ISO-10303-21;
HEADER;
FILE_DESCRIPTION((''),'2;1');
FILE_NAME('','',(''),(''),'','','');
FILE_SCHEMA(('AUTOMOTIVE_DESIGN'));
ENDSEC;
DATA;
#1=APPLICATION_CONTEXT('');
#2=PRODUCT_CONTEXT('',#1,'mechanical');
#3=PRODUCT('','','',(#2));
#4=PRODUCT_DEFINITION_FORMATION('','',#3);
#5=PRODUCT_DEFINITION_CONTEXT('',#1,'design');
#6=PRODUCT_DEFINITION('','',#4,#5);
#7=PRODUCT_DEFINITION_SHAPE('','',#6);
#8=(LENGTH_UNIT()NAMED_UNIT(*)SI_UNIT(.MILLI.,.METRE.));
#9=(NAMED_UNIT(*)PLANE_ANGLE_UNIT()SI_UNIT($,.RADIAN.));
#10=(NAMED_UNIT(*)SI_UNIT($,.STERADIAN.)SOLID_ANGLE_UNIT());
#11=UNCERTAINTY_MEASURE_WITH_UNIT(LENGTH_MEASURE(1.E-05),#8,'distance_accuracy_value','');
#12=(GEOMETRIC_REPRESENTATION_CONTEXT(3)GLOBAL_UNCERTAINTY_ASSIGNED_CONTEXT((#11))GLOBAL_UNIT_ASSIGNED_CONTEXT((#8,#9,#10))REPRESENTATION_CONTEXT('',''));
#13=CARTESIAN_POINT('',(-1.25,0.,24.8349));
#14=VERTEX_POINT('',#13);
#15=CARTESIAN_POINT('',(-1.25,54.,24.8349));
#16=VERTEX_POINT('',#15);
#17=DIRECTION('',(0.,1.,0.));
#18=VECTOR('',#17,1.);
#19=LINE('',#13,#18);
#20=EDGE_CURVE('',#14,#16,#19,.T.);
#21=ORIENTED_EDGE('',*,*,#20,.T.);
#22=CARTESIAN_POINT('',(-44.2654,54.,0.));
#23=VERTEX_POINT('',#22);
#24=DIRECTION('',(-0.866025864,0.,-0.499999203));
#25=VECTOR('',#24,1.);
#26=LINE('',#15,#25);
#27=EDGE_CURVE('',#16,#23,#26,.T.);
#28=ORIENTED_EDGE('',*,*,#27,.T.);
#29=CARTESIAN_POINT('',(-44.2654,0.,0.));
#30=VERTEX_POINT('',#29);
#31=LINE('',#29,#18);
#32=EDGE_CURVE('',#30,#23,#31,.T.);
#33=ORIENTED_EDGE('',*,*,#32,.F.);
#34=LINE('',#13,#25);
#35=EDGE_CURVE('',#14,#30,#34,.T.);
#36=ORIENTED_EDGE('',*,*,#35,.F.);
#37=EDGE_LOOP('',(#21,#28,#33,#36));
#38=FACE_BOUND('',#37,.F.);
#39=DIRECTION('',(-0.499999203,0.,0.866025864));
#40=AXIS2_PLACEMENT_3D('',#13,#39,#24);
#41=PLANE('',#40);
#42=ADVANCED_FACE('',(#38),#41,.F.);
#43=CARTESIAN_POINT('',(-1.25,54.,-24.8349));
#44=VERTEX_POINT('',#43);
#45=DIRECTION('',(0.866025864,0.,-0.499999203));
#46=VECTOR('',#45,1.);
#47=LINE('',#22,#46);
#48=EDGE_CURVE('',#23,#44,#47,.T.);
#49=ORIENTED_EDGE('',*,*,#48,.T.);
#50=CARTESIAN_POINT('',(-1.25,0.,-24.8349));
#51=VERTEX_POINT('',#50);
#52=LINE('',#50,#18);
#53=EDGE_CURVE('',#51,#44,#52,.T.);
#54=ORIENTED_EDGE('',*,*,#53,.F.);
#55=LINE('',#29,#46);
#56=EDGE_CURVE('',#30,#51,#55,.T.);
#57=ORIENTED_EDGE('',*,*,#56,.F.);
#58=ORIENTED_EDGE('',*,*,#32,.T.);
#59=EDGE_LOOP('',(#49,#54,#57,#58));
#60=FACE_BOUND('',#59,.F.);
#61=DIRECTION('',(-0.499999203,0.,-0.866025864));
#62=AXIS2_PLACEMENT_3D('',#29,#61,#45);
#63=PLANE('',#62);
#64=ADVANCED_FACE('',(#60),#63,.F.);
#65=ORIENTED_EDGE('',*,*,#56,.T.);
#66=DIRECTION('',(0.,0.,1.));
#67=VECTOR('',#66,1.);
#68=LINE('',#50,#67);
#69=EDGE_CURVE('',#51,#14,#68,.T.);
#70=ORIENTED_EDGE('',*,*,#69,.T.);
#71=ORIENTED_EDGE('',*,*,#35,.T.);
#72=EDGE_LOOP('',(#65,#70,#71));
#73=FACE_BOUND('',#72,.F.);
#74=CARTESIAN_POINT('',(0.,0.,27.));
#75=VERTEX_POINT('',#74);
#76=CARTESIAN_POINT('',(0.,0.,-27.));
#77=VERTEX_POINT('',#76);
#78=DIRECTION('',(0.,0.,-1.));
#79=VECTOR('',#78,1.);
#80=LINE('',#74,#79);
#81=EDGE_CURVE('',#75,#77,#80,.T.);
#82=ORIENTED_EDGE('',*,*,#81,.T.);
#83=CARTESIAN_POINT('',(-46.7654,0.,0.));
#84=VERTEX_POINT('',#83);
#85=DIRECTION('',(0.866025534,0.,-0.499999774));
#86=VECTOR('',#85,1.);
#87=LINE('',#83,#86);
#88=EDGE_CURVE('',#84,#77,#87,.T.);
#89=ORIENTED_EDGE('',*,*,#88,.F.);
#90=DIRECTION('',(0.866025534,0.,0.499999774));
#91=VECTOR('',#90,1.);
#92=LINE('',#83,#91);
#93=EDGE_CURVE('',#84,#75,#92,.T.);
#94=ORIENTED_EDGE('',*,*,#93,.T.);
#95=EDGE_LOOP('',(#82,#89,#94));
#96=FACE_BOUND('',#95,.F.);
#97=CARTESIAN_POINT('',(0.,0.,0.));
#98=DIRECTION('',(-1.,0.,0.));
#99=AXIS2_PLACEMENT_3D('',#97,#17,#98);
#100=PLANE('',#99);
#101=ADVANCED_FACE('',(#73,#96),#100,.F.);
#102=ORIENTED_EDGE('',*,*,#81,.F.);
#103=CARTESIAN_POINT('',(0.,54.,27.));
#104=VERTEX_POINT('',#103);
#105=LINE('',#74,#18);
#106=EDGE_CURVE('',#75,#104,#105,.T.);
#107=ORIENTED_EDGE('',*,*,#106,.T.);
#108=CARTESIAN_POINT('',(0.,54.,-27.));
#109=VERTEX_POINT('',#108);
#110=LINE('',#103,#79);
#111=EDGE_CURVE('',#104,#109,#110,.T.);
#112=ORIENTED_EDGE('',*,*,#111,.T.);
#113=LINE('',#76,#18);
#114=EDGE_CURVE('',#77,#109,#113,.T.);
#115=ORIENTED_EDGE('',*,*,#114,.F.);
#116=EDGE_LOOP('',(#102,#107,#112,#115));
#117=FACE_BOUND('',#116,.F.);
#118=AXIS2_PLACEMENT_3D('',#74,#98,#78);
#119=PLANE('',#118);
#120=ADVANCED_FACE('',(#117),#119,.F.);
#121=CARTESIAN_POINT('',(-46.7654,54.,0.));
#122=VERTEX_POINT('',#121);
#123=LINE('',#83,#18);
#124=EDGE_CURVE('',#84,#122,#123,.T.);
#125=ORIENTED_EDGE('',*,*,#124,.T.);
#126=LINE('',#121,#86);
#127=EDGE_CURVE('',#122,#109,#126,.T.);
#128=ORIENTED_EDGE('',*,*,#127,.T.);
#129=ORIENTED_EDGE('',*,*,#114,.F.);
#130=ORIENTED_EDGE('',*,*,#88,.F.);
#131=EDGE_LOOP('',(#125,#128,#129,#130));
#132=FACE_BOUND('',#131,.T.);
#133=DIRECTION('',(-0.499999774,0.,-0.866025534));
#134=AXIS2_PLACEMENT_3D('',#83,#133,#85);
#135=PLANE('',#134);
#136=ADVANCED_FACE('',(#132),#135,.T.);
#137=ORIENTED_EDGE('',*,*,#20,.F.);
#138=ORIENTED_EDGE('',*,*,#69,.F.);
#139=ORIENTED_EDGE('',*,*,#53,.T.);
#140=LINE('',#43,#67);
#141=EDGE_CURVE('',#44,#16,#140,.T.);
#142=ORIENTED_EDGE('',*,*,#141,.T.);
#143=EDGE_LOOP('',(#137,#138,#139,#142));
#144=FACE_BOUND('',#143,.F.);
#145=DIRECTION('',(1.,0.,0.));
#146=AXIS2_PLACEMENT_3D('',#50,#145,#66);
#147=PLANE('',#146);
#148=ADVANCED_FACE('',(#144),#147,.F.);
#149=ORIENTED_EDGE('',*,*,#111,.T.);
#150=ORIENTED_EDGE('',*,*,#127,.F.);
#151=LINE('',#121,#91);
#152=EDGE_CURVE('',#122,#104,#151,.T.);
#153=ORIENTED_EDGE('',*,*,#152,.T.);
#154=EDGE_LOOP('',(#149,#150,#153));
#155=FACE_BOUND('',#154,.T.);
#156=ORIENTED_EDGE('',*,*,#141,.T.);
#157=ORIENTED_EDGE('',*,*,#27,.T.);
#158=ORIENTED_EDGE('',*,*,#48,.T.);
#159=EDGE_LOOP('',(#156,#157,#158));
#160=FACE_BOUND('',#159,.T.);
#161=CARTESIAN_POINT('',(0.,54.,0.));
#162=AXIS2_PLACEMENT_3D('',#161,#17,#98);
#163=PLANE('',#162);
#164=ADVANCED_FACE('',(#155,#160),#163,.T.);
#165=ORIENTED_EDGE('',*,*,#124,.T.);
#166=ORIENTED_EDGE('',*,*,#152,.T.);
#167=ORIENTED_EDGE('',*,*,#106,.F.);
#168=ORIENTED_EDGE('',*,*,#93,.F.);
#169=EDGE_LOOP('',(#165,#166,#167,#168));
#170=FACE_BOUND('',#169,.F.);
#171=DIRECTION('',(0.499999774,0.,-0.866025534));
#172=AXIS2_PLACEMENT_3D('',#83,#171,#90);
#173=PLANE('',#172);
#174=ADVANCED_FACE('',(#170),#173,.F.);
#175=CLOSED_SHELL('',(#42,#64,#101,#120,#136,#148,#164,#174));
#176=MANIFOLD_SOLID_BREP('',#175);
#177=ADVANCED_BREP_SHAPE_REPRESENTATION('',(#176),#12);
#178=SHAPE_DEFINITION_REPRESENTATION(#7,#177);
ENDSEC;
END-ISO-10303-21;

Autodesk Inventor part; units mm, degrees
ref_plane "YZ Plane" through (0, 0, 0) normal (1, 0, 0) x (0, 1, 0)
ref_plane "XZ Plane" through (0, 0, 0) normal (0, 1, 0) x (-1, 0, 0)
ref_plane "XY Plane" through (0, 0, 0) normal (0, 0, 1) x (1, 0, 0)
sketch "Sketch2" plane through (0, 0, 0) normal (0, 1, 0) x (-1, 0, 0)
  line L0 (0, 27) -> (0, -27)
  line L1 (46.7654, 0) -> (0, -27)
  line L2 (46.7654, 0) -> (0, 27)
  line L3 (1.25, -24.8349) -> (1.25, 24.8349)
  line L4 (1.25, 24.8349) -> (44.2654, 0)
  line L5 (44.2654, 0) -> (1.25, -24.8349)
  point P0 (0, 0)
  dimension "d24" = 54
  dimension "d32" = 1.25
extrude "Extrusion5" add sketch "Sketch2" along normal blind 54
properties part number "Triangle" material "ABS Plastic"
